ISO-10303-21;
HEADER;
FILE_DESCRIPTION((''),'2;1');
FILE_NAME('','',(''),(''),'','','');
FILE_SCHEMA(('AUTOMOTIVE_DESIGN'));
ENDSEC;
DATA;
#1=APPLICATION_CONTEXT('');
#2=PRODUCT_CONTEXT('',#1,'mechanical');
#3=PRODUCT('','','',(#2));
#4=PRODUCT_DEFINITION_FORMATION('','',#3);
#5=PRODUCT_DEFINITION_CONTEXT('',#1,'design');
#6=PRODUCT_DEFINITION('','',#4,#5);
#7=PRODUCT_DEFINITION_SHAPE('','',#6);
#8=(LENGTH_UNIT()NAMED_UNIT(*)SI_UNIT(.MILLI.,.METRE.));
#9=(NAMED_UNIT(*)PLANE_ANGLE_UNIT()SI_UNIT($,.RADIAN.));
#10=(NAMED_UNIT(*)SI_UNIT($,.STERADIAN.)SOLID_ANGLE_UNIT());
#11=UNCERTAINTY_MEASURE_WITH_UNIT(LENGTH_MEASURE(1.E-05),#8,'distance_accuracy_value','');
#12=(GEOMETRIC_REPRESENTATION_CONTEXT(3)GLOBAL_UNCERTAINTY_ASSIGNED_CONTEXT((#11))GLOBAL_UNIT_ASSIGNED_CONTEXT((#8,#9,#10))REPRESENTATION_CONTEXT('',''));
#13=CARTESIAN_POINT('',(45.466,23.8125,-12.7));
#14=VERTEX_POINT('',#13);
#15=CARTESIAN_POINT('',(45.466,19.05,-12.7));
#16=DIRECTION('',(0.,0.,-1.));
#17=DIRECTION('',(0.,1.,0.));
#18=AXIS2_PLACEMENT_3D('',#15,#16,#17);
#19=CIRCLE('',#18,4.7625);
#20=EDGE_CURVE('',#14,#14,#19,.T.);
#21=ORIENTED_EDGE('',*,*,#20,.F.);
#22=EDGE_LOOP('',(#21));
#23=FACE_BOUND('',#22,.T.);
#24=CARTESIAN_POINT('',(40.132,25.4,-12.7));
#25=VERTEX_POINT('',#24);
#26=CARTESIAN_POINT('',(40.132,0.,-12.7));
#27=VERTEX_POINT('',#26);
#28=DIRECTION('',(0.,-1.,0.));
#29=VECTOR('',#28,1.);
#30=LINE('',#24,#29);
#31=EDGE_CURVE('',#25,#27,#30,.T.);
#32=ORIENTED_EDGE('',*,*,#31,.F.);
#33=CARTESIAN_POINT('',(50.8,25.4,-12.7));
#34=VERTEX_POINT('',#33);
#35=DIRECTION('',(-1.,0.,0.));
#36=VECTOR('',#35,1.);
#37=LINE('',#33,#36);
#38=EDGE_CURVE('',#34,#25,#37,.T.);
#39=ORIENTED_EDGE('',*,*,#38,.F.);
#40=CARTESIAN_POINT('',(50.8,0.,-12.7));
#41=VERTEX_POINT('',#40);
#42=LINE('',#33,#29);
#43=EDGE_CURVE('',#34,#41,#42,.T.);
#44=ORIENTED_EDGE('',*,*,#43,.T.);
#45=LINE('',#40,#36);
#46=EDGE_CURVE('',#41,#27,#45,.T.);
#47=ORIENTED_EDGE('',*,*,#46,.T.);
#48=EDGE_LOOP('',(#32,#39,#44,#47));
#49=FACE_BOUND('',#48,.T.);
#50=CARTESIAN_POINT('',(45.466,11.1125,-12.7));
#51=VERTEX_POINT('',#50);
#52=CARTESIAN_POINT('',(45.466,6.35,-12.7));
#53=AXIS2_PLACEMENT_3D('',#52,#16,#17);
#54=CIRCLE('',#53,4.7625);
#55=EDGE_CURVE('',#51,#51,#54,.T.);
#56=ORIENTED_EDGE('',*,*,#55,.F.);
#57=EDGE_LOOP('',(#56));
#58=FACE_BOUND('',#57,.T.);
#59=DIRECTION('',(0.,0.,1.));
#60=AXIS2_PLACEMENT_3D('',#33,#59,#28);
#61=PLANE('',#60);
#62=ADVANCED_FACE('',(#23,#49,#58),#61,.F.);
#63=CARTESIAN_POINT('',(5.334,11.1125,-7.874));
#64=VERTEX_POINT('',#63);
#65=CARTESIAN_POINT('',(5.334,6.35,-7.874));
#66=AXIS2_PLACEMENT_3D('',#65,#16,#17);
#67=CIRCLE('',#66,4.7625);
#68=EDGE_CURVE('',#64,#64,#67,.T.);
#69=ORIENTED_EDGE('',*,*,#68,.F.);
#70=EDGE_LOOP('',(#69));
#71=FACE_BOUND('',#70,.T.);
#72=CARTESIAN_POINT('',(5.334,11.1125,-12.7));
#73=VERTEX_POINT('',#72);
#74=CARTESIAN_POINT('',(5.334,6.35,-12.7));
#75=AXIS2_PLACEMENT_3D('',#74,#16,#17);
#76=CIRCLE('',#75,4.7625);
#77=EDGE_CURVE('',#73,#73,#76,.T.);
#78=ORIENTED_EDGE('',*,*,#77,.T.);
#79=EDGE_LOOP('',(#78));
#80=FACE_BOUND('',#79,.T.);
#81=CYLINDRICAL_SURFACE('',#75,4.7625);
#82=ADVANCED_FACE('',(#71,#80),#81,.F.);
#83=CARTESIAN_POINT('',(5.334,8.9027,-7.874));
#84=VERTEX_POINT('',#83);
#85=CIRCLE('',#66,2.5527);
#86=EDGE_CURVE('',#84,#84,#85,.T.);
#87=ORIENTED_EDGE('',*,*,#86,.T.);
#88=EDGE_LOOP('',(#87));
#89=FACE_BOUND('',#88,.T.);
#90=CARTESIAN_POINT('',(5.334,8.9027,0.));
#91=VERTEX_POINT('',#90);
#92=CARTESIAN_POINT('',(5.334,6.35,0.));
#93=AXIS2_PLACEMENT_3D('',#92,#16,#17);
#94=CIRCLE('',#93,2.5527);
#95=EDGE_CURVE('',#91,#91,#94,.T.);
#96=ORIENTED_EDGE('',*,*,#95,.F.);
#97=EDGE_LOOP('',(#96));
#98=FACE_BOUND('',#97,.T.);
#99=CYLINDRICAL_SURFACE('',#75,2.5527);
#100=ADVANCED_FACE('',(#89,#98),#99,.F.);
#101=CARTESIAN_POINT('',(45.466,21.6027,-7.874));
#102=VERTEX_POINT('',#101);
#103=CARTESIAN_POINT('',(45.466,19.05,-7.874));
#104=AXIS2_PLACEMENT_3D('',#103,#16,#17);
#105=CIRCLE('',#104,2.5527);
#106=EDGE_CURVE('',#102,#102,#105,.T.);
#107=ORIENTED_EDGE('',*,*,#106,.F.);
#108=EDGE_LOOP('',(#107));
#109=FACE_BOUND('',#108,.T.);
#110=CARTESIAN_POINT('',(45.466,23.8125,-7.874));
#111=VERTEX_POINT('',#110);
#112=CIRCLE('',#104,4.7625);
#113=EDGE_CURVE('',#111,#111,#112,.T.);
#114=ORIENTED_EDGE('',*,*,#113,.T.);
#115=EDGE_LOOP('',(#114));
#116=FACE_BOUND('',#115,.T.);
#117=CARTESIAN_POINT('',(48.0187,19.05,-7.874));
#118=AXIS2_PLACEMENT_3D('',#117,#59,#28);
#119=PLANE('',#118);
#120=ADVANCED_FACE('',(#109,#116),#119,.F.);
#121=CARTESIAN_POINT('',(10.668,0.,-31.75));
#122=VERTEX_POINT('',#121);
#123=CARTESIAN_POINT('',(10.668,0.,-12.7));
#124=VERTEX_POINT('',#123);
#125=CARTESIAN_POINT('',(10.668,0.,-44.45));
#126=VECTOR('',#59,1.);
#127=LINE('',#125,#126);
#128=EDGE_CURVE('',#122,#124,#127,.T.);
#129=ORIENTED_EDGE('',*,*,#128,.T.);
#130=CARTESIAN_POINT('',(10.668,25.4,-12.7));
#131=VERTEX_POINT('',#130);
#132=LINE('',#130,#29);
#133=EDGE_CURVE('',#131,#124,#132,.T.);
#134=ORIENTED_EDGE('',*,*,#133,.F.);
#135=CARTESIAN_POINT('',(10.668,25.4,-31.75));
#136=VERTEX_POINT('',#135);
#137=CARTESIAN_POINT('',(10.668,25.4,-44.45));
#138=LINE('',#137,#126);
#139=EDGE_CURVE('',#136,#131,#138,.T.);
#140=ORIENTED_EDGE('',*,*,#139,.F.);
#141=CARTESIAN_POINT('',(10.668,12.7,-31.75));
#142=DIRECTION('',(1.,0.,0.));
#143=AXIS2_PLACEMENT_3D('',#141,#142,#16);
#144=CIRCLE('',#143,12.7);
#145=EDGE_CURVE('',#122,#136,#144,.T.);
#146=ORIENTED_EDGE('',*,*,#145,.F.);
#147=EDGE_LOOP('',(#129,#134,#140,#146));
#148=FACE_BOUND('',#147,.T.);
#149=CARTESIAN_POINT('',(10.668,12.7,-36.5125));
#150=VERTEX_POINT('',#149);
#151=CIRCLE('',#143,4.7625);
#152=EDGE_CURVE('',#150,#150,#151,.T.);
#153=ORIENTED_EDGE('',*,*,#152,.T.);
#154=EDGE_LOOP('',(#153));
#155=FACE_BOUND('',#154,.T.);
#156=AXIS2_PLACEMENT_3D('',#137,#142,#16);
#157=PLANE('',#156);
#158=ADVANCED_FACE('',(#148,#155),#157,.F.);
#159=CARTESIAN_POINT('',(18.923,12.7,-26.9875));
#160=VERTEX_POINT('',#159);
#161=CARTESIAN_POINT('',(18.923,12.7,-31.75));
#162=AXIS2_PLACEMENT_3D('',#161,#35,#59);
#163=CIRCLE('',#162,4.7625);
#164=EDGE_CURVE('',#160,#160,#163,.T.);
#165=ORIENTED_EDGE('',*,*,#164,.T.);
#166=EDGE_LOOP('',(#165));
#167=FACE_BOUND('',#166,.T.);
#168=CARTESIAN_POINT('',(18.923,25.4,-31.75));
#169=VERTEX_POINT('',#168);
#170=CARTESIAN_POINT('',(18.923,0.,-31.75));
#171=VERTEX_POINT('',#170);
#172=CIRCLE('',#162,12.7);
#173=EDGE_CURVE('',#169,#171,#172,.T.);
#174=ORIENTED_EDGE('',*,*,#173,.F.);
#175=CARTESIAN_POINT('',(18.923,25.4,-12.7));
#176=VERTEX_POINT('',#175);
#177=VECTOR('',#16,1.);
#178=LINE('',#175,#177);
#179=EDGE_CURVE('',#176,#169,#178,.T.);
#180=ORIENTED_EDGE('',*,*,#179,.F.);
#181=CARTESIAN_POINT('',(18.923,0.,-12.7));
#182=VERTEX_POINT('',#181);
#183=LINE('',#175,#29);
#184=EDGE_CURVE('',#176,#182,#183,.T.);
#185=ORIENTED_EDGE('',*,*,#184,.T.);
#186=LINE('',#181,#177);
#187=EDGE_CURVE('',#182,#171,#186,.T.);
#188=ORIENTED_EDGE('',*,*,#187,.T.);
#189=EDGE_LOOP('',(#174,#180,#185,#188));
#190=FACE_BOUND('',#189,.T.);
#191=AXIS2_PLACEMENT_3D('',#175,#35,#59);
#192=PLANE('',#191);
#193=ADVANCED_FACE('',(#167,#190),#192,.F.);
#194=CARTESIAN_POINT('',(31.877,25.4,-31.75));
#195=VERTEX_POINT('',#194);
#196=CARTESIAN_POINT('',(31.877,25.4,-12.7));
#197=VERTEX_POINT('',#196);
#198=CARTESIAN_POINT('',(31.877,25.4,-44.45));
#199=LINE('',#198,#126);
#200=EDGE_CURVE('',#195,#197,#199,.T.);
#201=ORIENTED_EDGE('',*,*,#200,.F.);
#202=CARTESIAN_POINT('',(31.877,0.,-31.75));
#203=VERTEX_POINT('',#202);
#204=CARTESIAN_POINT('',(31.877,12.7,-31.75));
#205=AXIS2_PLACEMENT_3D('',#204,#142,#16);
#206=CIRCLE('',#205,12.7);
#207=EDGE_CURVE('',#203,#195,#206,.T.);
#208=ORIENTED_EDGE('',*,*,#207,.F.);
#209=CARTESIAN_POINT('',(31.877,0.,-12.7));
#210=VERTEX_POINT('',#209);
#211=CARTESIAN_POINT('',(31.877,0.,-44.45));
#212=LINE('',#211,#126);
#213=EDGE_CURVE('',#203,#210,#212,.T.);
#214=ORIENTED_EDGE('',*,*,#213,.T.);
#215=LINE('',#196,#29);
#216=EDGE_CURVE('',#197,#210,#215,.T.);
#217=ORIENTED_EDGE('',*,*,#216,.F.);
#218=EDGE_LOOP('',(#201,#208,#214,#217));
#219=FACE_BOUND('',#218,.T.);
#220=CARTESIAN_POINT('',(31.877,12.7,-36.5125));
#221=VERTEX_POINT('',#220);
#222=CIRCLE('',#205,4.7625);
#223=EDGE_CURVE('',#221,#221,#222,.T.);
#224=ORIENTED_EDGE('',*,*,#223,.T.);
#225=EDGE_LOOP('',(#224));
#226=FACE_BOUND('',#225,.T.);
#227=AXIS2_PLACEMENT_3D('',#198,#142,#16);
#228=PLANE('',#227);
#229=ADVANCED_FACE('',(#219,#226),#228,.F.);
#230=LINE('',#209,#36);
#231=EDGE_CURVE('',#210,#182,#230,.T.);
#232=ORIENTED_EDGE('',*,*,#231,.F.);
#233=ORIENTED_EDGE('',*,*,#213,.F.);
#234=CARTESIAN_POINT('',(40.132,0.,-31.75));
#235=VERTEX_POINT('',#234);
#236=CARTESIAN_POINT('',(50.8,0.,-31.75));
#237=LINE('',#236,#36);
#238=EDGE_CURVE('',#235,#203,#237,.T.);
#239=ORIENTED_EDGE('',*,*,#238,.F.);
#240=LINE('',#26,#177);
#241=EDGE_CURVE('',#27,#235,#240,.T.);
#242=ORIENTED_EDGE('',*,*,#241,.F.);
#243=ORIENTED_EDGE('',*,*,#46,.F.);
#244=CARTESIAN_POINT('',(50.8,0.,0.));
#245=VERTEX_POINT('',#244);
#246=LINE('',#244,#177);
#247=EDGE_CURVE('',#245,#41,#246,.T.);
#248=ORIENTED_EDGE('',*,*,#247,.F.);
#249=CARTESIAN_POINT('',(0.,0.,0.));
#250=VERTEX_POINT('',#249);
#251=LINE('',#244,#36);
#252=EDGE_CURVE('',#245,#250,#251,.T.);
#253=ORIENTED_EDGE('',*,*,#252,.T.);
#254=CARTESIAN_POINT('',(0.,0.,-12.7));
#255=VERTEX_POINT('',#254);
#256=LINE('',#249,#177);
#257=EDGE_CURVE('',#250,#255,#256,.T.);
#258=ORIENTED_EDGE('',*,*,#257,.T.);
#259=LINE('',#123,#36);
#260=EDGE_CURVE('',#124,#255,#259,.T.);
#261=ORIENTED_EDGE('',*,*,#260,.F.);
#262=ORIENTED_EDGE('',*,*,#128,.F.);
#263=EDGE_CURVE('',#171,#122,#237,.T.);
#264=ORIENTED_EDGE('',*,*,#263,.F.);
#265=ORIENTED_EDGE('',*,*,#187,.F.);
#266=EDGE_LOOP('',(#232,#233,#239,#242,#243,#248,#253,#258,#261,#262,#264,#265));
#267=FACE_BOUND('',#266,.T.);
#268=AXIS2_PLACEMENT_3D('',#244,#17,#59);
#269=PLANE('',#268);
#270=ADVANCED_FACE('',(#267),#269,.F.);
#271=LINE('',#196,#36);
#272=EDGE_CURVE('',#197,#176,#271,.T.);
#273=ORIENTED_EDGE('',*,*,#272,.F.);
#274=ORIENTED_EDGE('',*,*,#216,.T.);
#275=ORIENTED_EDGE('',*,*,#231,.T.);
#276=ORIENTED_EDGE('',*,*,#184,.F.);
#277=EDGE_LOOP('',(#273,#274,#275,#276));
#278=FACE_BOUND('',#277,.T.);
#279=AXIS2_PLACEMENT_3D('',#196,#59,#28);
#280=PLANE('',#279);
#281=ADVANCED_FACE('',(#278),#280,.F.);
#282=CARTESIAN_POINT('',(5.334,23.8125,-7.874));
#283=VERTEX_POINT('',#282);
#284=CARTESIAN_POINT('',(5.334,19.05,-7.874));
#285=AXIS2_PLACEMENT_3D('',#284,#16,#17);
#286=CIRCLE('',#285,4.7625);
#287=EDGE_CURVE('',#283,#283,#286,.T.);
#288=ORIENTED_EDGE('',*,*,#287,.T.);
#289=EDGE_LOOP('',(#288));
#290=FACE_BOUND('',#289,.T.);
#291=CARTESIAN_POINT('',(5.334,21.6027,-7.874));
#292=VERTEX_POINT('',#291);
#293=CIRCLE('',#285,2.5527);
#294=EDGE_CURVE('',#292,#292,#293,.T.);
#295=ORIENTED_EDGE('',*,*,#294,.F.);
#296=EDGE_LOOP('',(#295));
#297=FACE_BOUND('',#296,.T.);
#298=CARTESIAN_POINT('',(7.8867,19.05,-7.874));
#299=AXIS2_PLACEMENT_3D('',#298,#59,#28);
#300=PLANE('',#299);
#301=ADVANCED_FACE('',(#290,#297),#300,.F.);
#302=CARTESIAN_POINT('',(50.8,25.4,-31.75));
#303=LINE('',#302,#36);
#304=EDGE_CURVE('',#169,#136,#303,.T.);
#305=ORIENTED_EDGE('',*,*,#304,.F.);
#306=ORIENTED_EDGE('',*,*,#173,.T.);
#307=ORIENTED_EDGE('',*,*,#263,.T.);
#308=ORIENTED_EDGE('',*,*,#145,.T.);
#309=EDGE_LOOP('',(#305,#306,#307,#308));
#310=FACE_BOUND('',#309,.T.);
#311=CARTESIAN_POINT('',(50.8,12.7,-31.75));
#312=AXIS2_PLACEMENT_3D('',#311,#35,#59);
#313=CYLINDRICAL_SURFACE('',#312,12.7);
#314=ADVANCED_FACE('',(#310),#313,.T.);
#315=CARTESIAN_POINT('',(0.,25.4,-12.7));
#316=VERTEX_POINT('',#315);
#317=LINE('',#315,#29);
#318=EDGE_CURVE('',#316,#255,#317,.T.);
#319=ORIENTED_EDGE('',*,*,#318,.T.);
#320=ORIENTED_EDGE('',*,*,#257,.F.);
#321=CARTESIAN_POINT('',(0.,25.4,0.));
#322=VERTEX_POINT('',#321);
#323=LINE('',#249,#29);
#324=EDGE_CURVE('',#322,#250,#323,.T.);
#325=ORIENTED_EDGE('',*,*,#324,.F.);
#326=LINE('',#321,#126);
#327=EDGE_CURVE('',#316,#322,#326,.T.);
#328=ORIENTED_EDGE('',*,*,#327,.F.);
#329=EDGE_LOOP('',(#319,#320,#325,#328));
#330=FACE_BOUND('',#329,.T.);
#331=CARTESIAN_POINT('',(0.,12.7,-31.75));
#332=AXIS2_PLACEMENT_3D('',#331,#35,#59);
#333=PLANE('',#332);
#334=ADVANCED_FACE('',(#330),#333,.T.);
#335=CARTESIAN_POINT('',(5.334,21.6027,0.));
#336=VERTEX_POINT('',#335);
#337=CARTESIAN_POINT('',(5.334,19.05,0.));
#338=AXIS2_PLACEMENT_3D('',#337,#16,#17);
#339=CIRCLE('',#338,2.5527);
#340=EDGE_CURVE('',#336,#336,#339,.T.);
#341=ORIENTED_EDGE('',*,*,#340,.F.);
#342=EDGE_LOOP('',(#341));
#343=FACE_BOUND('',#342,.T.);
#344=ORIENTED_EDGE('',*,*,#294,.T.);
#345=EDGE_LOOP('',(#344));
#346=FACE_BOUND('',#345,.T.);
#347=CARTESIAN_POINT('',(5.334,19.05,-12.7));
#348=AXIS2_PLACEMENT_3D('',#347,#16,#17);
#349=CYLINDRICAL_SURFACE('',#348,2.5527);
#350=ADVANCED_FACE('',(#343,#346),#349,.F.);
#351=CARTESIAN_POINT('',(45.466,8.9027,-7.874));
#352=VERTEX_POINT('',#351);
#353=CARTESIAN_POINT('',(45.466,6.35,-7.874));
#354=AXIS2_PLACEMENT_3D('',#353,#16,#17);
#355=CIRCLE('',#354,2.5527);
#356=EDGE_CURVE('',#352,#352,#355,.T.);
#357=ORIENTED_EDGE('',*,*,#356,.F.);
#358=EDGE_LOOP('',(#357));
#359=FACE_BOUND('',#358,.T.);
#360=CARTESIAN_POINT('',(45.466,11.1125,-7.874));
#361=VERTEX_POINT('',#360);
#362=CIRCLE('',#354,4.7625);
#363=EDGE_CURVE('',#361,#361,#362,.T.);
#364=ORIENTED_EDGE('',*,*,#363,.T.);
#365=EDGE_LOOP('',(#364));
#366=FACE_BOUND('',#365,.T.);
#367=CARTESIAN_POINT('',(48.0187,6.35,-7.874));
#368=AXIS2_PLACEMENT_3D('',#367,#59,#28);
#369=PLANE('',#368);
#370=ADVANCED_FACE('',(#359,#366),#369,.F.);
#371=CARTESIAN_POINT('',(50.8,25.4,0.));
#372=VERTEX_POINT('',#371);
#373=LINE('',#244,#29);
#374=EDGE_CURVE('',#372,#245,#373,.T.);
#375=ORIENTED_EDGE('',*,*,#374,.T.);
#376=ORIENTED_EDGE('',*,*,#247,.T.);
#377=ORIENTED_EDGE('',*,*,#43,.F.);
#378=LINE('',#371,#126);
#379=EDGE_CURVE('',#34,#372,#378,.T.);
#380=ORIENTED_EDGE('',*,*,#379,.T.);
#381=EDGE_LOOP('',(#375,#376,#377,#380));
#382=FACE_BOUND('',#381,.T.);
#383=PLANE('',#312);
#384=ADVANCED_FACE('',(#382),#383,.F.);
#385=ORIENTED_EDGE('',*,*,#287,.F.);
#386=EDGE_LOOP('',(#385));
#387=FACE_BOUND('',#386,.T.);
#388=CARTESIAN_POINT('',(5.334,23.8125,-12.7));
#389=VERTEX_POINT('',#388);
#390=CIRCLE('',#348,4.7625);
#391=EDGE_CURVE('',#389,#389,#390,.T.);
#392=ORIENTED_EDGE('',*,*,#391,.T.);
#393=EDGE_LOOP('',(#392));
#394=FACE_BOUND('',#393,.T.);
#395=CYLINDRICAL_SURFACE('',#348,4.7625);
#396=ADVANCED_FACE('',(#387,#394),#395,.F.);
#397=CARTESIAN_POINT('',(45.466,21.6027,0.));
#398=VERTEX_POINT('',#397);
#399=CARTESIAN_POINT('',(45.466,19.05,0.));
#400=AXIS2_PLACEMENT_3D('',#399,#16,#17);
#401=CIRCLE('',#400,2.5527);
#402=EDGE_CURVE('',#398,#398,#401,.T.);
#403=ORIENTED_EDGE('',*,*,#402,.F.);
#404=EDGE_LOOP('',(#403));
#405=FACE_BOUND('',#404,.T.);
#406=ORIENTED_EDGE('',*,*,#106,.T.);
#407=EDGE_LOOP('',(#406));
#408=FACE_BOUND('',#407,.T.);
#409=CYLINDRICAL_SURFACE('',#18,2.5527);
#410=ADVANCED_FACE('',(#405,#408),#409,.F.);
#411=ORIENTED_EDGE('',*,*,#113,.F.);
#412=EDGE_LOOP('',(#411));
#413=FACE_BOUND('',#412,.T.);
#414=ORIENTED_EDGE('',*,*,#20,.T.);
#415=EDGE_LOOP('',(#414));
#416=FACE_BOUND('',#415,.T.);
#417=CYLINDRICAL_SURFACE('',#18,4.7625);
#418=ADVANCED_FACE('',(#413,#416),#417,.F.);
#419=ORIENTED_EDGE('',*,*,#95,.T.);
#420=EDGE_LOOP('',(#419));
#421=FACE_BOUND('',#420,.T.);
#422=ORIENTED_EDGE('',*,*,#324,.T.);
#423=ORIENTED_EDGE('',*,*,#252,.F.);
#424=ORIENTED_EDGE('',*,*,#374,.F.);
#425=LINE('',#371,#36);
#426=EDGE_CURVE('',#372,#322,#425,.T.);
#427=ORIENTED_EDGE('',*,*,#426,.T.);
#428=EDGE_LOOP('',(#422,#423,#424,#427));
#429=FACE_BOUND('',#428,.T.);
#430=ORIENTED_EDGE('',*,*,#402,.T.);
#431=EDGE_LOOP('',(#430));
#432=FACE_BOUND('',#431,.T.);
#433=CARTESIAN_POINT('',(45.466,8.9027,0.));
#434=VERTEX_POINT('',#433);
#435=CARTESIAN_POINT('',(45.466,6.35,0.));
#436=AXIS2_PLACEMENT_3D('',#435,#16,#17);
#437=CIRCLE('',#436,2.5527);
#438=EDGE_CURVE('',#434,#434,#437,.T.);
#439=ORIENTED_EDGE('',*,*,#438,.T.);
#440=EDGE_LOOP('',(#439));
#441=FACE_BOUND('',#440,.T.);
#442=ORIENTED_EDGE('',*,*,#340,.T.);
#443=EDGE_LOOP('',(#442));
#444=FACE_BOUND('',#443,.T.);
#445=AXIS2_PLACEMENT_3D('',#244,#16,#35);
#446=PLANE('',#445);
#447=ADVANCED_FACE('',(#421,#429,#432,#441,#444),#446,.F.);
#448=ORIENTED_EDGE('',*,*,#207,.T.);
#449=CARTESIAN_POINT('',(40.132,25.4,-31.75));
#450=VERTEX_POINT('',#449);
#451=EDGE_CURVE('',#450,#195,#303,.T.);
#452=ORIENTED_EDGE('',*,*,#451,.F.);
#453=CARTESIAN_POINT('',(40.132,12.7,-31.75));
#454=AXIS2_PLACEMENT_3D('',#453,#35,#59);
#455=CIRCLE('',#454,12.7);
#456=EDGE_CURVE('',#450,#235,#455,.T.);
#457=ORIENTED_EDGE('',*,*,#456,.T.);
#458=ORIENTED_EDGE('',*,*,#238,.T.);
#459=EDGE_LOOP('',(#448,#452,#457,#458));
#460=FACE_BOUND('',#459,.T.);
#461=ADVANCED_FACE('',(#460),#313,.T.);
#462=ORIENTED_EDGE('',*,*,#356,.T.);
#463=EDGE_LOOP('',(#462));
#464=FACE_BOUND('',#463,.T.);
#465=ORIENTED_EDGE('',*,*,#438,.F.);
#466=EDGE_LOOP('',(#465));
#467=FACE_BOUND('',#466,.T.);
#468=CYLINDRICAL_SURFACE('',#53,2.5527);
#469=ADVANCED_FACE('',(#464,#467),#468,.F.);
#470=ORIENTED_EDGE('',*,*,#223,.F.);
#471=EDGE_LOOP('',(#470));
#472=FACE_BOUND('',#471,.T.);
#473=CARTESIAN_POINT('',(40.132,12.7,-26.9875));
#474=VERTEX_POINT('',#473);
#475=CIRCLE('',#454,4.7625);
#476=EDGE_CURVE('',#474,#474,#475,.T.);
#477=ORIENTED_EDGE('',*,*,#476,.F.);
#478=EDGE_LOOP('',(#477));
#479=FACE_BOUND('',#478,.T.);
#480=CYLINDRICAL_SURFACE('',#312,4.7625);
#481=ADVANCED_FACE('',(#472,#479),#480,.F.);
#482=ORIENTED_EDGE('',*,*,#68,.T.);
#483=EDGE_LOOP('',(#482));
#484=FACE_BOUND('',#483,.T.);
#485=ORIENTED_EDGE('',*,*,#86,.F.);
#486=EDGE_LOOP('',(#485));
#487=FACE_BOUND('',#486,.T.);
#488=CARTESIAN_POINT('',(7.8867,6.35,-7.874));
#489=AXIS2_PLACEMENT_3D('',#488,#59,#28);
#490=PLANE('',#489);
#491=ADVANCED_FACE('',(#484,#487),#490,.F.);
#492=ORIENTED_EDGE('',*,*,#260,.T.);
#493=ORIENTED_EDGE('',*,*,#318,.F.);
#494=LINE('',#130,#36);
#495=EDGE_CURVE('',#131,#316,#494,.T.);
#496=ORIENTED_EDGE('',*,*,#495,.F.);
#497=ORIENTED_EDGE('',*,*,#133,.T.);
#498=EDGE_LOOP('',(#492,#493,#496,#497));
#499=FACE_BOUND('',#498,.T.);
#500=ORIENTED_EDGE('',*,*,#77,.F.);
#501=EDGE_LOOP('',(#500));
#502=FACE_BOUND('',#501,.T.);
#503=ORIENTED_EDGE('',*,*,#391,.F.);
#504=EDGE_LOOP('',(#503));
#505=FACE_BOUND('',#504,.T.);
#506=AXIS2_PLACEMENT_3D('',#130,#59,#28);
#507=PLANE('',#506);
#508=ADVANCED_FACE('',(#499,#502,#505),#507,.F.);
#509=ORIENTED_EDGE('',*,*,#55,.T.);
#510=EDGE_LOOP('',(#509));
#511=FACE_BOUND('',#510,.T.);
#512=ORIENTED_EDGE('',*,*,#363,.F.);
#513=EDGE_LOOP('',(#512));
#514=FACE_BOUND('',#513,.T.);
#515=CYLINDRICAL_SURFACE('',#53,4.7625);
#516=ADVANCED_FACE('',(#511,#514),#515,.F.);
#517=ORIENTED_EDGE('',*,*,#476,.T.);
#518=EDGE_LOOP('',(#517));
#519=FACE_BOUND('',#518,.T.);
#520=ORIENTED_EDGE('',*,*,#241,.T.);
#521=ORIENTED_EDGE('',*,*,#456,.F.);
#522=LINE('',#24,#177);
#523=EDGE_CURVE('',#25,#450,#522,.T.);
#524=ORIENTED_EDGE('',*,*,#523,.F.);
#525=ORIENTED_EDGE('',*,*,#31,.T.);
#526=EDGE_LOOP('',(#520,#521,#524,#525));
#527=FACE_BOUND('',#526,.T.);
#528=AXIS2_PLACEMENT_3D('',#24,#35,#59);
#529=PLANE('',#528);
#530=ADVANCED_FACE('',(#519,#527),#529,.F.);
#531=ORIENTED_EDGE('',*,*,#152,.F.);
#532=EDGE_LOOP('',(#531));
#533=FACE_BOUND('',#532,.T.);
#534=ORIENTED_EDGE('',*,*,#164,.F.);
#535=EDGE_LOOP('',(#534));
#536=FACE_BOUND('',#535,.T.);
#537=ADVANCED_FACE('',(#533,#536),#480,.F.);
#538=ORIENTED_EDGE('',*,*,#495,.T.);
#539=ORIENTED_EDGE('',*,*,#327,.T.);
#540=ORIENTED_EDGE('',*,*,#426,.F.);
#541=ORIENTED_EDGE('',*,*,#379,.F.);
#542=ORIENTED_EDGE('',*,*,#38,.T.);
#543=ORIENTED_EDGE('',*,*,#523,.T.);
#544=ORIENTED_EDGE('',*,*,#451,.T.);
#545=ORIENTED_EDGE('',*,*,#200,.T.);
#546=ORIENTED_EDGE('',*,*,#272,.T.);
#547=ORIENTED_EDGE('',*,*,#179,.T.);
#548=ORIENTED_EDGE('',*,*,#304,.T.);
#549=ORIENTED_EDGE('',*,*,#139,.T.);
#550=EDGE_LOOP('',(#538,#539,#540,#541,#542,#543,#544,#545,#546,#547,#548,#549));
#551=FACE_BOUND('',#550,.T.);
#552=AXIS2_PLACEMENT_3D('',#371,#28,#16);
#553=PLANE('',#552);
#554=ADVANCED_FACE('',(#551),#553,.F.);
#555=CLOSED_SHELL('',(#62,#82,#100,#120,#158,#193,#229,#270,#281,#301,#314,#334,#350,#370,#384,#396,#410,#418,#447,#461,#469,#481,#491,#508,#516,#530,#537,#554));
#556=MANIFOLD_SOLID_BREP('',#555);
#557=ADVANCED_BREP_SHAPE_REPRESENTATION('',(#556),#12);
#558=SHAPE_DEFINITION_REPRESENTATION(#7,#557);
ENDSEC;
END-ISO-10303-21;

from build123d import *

# Parameters (mm, degrees)
SKETCH1_R                                       = 4.7625
BOSS_EXTRUDE1_DEPTH                             = 50.8
CUT_EXTRUDE1_DEPTH                              = 26.4
CBORE_FOR_10_SOCKET_HEAD_CAP_SCREW1_D           = 5.1054
CBORE_FOR_10_SOCKET_HEAD_CAP_SCREW1_CBORE_D     = 9.525
CBORE_FOR_10_SOCKET_HEAD_CAP_SCREW1_CBORE_DEPTH = 4.826


with BuildPart() as part:
    # Sketch1 → Boss-Extrude1 (new body)
    with BuildSketch(Plane(origin=(0, 0, 0), x_dir=(0, 0, -1), z_dir=(1, 0, 0))):
        with BuildLine():
            Line((0, 0), (31.75, 0))
            ThreePointArc((31.75, 0), (44.45, 12.7), (31.75, 25.4))
            Line((31.75, 25.4), (0, 25.4))
            Line((0, 25.4), (0, 0))
        make_face()
        with Locations((31.75, 12.7)):
            Circle(SKETCH1_R, mode=Mode.SUBTRACT)
    extrude(amount=BOSS_EXTRUDE1_DEPTH)

    # Sketch2 → Cut-Extrude1 (cut, through all)
    with BuildSketch(Plane.XZ):
        Polygon((50.8, -12.7), (40.132, -12.7), (40.132, -44.45), (31.877, -44.45), (31.877, -12.7), (18.923, -12.7), (18.923, -44.45), (10.668, -44.45), (10.668, -12.7), (0, -12.7), (0, -50.8), (50.8, -50.8), align=None)
    extrude(amount=-CUT_EXTRUDE1_DEPTH, mode=Mode.SUBTRACT)

    # CBORE for #10 Socket Head Cap Screw1 (through all)
    with Locations(Plane(origin=(0, 0, -12.7), x_dir=(-1, 0, 0), z_dir=(0, 0, -1))):
        with Locations((-45.466, 6.35), (-45.466, 19.05), (-5.334, 19.05), (-5.334, 6.35)):
            CounterBoreHole(CBORE_FOR_10_SOCKET_HEAD_CAP_SCREW1_D / 2, CBORE_FOR_10_SOCKET_HEAD_CAP_SCREW1_CBORE_D / 2, CBORE_FOR_10_SOCKET_HEAD_CAP_SCREW1_CBORE_DEPTH)


solid = part.part
